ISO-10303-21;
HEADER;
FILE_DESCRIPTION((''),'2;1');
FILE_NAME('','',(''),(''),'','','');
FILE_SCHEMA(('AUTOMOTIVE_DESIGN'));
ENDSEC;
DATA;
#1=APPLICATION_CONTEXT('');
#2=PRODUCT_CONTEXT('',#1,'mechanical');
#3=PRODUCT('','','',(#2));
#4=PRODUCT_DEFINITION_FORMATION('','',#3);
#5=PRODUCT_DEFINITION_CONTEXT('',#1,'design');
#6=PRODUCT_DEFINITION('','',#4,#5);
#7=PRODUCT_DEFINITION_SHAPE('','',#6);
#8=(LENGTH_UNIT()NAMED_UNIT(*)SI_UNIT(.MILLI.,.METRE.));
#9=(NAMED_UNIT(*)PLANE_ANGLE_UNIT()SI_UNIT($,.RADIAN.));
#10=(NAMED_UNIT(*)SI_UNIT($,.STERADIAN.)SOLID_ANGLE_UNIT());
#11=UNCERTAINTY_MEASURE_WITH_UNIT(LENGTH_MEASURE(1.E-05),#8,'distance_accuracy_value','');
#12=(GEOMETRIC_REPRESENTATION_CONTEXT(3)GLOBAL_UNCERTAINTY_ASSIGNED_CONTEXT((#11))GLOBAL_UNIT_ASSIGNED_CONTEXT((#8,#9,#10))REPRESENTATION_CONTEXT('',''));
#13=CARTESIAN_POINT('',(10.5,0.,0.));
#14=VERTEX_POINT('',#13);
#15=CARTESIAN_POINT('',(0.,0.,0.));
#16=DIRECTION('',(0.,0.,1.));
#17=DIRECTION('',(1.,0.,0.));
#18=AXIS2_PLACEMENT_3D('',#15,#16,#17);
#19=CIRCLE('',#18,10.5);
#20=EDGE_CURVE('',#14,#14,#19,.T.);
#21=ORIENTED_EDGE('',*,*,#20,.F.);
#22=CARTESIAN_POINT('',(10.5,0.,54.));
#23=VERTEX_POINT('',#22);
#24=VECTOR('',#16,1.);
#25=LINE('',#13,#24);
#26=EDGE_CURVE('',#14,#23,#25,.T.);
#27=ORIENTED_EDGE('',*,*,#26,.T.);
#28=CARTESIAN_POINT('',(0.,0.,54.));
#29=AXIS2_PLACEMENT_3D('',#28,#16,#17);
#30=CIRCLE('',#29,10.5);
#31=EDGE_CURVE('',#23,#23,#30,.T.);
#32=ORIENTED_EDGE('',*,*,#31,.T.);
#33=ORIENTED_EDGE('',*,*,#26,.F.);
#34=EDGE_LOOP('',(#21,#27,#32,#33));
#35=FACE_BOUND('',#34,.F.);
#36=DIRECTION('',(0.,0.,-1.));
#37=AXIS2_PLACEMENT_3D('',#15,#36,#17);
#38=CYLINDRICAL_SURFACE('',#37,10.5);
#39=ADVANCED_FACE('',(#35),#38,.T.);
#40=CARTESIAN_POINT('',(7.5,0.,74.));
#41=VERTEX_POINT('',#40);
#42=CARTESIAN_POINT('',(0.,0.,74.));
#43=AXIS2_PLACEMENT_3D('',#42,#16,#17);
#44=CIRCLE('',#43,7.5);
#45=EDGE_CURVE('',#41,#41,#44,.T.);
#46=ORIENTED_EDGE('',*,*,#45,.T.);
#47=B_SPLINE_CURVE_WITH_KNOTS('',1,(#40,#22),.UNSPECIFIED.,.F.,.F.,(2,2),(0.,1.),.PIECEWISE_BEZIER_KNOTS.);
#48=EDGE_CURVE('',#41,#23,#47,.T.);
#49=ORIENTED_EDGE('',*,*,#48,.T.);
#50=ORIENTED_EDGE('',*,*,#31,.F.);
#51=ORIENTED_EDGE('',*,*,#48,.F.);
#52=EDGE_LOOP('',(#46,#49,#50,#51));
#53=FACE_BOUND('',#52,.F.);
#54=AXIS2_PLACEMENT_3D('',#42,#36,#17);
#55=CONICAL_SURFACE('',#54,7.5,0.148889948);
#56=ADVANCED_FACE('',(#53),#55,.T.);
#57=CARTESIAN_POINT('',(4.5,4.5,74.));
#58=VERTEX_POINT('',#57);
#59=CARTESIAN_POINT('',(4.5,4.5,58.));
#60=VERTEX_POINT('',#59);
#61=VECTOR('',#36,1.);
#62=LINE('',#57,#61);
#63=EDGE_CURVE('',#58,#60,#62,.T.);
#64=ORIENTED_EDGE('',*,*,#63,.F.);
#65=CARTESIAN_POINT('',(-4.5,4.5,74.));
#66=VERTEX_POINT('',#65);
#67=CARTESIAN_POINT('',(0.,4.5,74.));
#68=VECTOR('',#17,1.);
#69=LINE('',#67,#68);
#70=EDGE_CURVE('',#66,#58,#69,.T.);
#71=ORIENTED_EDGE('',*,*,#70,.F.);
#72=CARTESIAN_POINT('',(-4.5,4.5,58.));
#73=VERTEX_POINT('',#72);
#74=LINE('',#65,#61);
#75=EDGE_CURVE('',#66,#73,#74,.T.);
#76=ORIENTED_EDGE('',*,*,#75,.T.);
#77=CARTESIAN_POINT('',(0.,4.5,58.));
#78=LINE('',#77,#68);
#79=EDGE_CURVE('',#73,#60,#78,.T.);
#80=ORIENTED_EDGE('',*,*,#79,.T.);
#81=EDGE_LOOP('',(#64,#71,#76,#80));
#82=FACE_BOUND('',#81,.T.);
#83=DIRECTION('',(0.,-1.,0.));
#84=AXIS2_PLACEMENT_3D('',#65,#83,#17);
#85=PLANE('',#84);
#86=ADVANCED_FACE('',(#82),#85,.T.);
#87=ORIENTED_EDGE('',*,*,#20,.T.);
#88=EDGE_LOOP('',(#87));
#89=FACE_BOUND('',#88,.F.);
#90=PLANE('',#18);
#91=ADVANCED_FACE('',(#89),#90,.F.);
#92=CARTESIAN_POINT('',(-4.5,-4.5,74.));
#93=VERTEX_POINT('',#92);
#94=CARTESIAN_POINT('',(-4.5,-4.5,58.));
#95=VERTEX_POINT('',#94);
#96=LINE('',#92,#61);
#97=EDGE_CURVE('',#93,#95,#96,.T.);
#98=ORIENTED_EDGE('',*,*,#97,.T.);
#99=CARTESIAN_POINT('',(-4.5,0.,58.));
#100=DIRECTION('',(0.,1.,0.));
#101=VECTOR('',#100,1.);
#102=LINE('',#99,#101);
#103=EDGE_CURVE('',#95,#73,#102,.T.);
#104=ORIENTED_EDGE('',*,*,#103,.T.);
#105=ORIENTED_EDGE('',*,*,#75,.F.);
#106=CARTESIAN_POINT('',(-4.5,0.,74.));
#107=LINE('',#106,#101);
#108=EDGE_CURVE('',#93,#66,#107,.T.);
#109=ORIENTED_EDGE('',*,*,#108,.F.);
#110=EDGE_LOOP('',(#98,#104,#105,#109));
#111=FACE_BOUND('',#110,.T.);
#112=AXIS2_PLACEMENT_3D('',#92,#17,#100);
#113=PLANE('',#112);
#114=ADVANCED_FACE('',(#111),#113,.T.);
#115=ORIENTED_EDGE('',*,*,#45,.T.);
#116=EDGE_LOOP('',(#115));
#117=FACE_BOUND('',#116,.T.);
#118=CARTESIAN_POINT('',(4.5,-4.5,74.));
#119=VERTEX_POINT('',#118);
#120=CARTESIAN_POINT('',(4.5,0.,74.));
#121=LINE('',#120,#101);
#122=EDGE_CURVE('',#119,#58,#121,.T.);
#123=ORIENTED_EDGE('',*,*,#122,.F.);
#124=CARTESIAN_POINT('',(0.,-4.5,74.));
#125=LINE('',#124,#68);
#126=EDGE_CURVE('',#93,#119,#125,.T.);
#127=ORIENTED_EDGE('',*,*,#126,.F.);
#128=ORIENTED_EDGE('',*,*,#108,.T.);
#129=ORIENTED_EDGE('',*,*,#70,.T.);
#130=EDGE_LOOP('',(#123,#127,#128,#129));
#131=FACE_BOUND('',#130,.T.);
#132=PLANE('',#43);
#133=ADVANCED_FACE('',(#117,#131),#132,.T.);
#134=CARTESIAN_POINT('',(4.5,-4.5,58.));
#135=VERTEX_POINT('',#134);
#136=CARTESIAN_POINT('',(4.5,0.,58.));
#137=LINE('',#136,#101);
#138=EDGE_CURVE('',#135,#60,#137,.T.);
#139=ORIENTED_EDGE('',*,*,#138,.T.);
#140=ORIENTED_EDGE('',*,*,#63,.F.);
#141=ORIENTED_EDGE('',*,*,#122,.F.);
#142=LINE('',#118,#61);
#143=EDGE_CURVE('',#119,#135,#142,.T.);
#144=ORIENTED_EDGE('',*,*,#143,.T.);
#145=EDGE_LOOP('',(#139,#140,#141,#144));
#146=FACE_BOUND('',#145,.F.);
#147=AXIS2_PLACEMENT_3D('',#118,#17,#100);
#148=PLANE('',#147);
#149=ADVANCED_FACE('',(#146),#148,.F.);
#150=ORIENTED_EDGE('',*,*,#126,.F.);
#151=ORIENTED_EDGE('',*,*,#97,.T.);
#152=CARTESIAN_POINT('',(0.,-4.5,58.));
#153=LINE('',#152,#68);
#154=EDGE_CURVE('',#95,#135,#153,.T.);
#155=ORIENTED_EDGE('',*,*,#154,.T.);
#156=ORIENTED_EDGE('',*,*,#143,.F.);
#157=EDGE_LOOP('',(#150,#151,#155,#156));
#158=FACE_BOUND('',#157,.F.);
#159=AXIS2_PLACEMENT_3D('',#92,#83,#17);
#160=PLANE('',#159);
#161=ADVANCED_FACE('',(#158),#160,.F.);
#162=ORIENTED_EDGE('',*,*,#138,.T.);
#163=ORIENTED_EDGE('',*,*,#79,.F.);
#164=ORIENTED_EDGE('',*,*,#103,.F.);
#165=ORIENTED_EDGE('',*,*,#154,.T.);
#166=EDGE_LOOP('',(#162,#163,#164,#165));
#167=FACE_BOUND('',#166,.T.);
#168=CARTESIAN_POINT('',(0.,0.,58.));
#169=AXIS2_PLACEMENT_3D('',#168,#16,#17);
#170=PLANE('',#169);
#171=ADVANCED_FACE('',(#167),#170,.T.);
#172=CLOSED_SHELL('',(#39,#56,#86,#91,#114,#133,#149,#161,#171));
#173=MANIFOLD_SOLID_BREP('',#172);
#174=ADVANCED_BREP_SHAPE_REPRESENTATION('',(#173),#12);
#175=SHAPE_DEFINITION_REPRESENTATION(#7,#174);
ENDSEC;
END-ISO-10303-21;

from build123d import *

# Parameters (mm, degrees)
F0_R      = 10.5
F1_DEPTH  = 54
F3_R      = 7.5
F1_FACE_R = 10.5
F5_W      = 9
F5_H      = 9
F6_DEPTH  = 16


with BuildPart() as f1:
    # F0 (on Top) → F1 (new body)
    with BuildSketch(Plane.XY):
        Circle(F0_R)
    extrude(amount=F1_DEPTH)

    # F3 (on offset) → F4 section 0
    with BuildSketch(Plane.XY.offset(74)):
        Circle(F3_R)
    # F1_face (on face) → F4 section 1
    with BuildSketch(Plane.XY.offset(54)):
        Circle(F1_FACE_R)
    loft()

    # F5 (on face) → F6 (cut)
    with BuildSketch(Plane.XY.offset(74)):
        Rectangle(F5_W, F5_H)
    extrude(amount=-F6_DEPTH, mode=Mode.SUBTRACT)


solid = f1.part
